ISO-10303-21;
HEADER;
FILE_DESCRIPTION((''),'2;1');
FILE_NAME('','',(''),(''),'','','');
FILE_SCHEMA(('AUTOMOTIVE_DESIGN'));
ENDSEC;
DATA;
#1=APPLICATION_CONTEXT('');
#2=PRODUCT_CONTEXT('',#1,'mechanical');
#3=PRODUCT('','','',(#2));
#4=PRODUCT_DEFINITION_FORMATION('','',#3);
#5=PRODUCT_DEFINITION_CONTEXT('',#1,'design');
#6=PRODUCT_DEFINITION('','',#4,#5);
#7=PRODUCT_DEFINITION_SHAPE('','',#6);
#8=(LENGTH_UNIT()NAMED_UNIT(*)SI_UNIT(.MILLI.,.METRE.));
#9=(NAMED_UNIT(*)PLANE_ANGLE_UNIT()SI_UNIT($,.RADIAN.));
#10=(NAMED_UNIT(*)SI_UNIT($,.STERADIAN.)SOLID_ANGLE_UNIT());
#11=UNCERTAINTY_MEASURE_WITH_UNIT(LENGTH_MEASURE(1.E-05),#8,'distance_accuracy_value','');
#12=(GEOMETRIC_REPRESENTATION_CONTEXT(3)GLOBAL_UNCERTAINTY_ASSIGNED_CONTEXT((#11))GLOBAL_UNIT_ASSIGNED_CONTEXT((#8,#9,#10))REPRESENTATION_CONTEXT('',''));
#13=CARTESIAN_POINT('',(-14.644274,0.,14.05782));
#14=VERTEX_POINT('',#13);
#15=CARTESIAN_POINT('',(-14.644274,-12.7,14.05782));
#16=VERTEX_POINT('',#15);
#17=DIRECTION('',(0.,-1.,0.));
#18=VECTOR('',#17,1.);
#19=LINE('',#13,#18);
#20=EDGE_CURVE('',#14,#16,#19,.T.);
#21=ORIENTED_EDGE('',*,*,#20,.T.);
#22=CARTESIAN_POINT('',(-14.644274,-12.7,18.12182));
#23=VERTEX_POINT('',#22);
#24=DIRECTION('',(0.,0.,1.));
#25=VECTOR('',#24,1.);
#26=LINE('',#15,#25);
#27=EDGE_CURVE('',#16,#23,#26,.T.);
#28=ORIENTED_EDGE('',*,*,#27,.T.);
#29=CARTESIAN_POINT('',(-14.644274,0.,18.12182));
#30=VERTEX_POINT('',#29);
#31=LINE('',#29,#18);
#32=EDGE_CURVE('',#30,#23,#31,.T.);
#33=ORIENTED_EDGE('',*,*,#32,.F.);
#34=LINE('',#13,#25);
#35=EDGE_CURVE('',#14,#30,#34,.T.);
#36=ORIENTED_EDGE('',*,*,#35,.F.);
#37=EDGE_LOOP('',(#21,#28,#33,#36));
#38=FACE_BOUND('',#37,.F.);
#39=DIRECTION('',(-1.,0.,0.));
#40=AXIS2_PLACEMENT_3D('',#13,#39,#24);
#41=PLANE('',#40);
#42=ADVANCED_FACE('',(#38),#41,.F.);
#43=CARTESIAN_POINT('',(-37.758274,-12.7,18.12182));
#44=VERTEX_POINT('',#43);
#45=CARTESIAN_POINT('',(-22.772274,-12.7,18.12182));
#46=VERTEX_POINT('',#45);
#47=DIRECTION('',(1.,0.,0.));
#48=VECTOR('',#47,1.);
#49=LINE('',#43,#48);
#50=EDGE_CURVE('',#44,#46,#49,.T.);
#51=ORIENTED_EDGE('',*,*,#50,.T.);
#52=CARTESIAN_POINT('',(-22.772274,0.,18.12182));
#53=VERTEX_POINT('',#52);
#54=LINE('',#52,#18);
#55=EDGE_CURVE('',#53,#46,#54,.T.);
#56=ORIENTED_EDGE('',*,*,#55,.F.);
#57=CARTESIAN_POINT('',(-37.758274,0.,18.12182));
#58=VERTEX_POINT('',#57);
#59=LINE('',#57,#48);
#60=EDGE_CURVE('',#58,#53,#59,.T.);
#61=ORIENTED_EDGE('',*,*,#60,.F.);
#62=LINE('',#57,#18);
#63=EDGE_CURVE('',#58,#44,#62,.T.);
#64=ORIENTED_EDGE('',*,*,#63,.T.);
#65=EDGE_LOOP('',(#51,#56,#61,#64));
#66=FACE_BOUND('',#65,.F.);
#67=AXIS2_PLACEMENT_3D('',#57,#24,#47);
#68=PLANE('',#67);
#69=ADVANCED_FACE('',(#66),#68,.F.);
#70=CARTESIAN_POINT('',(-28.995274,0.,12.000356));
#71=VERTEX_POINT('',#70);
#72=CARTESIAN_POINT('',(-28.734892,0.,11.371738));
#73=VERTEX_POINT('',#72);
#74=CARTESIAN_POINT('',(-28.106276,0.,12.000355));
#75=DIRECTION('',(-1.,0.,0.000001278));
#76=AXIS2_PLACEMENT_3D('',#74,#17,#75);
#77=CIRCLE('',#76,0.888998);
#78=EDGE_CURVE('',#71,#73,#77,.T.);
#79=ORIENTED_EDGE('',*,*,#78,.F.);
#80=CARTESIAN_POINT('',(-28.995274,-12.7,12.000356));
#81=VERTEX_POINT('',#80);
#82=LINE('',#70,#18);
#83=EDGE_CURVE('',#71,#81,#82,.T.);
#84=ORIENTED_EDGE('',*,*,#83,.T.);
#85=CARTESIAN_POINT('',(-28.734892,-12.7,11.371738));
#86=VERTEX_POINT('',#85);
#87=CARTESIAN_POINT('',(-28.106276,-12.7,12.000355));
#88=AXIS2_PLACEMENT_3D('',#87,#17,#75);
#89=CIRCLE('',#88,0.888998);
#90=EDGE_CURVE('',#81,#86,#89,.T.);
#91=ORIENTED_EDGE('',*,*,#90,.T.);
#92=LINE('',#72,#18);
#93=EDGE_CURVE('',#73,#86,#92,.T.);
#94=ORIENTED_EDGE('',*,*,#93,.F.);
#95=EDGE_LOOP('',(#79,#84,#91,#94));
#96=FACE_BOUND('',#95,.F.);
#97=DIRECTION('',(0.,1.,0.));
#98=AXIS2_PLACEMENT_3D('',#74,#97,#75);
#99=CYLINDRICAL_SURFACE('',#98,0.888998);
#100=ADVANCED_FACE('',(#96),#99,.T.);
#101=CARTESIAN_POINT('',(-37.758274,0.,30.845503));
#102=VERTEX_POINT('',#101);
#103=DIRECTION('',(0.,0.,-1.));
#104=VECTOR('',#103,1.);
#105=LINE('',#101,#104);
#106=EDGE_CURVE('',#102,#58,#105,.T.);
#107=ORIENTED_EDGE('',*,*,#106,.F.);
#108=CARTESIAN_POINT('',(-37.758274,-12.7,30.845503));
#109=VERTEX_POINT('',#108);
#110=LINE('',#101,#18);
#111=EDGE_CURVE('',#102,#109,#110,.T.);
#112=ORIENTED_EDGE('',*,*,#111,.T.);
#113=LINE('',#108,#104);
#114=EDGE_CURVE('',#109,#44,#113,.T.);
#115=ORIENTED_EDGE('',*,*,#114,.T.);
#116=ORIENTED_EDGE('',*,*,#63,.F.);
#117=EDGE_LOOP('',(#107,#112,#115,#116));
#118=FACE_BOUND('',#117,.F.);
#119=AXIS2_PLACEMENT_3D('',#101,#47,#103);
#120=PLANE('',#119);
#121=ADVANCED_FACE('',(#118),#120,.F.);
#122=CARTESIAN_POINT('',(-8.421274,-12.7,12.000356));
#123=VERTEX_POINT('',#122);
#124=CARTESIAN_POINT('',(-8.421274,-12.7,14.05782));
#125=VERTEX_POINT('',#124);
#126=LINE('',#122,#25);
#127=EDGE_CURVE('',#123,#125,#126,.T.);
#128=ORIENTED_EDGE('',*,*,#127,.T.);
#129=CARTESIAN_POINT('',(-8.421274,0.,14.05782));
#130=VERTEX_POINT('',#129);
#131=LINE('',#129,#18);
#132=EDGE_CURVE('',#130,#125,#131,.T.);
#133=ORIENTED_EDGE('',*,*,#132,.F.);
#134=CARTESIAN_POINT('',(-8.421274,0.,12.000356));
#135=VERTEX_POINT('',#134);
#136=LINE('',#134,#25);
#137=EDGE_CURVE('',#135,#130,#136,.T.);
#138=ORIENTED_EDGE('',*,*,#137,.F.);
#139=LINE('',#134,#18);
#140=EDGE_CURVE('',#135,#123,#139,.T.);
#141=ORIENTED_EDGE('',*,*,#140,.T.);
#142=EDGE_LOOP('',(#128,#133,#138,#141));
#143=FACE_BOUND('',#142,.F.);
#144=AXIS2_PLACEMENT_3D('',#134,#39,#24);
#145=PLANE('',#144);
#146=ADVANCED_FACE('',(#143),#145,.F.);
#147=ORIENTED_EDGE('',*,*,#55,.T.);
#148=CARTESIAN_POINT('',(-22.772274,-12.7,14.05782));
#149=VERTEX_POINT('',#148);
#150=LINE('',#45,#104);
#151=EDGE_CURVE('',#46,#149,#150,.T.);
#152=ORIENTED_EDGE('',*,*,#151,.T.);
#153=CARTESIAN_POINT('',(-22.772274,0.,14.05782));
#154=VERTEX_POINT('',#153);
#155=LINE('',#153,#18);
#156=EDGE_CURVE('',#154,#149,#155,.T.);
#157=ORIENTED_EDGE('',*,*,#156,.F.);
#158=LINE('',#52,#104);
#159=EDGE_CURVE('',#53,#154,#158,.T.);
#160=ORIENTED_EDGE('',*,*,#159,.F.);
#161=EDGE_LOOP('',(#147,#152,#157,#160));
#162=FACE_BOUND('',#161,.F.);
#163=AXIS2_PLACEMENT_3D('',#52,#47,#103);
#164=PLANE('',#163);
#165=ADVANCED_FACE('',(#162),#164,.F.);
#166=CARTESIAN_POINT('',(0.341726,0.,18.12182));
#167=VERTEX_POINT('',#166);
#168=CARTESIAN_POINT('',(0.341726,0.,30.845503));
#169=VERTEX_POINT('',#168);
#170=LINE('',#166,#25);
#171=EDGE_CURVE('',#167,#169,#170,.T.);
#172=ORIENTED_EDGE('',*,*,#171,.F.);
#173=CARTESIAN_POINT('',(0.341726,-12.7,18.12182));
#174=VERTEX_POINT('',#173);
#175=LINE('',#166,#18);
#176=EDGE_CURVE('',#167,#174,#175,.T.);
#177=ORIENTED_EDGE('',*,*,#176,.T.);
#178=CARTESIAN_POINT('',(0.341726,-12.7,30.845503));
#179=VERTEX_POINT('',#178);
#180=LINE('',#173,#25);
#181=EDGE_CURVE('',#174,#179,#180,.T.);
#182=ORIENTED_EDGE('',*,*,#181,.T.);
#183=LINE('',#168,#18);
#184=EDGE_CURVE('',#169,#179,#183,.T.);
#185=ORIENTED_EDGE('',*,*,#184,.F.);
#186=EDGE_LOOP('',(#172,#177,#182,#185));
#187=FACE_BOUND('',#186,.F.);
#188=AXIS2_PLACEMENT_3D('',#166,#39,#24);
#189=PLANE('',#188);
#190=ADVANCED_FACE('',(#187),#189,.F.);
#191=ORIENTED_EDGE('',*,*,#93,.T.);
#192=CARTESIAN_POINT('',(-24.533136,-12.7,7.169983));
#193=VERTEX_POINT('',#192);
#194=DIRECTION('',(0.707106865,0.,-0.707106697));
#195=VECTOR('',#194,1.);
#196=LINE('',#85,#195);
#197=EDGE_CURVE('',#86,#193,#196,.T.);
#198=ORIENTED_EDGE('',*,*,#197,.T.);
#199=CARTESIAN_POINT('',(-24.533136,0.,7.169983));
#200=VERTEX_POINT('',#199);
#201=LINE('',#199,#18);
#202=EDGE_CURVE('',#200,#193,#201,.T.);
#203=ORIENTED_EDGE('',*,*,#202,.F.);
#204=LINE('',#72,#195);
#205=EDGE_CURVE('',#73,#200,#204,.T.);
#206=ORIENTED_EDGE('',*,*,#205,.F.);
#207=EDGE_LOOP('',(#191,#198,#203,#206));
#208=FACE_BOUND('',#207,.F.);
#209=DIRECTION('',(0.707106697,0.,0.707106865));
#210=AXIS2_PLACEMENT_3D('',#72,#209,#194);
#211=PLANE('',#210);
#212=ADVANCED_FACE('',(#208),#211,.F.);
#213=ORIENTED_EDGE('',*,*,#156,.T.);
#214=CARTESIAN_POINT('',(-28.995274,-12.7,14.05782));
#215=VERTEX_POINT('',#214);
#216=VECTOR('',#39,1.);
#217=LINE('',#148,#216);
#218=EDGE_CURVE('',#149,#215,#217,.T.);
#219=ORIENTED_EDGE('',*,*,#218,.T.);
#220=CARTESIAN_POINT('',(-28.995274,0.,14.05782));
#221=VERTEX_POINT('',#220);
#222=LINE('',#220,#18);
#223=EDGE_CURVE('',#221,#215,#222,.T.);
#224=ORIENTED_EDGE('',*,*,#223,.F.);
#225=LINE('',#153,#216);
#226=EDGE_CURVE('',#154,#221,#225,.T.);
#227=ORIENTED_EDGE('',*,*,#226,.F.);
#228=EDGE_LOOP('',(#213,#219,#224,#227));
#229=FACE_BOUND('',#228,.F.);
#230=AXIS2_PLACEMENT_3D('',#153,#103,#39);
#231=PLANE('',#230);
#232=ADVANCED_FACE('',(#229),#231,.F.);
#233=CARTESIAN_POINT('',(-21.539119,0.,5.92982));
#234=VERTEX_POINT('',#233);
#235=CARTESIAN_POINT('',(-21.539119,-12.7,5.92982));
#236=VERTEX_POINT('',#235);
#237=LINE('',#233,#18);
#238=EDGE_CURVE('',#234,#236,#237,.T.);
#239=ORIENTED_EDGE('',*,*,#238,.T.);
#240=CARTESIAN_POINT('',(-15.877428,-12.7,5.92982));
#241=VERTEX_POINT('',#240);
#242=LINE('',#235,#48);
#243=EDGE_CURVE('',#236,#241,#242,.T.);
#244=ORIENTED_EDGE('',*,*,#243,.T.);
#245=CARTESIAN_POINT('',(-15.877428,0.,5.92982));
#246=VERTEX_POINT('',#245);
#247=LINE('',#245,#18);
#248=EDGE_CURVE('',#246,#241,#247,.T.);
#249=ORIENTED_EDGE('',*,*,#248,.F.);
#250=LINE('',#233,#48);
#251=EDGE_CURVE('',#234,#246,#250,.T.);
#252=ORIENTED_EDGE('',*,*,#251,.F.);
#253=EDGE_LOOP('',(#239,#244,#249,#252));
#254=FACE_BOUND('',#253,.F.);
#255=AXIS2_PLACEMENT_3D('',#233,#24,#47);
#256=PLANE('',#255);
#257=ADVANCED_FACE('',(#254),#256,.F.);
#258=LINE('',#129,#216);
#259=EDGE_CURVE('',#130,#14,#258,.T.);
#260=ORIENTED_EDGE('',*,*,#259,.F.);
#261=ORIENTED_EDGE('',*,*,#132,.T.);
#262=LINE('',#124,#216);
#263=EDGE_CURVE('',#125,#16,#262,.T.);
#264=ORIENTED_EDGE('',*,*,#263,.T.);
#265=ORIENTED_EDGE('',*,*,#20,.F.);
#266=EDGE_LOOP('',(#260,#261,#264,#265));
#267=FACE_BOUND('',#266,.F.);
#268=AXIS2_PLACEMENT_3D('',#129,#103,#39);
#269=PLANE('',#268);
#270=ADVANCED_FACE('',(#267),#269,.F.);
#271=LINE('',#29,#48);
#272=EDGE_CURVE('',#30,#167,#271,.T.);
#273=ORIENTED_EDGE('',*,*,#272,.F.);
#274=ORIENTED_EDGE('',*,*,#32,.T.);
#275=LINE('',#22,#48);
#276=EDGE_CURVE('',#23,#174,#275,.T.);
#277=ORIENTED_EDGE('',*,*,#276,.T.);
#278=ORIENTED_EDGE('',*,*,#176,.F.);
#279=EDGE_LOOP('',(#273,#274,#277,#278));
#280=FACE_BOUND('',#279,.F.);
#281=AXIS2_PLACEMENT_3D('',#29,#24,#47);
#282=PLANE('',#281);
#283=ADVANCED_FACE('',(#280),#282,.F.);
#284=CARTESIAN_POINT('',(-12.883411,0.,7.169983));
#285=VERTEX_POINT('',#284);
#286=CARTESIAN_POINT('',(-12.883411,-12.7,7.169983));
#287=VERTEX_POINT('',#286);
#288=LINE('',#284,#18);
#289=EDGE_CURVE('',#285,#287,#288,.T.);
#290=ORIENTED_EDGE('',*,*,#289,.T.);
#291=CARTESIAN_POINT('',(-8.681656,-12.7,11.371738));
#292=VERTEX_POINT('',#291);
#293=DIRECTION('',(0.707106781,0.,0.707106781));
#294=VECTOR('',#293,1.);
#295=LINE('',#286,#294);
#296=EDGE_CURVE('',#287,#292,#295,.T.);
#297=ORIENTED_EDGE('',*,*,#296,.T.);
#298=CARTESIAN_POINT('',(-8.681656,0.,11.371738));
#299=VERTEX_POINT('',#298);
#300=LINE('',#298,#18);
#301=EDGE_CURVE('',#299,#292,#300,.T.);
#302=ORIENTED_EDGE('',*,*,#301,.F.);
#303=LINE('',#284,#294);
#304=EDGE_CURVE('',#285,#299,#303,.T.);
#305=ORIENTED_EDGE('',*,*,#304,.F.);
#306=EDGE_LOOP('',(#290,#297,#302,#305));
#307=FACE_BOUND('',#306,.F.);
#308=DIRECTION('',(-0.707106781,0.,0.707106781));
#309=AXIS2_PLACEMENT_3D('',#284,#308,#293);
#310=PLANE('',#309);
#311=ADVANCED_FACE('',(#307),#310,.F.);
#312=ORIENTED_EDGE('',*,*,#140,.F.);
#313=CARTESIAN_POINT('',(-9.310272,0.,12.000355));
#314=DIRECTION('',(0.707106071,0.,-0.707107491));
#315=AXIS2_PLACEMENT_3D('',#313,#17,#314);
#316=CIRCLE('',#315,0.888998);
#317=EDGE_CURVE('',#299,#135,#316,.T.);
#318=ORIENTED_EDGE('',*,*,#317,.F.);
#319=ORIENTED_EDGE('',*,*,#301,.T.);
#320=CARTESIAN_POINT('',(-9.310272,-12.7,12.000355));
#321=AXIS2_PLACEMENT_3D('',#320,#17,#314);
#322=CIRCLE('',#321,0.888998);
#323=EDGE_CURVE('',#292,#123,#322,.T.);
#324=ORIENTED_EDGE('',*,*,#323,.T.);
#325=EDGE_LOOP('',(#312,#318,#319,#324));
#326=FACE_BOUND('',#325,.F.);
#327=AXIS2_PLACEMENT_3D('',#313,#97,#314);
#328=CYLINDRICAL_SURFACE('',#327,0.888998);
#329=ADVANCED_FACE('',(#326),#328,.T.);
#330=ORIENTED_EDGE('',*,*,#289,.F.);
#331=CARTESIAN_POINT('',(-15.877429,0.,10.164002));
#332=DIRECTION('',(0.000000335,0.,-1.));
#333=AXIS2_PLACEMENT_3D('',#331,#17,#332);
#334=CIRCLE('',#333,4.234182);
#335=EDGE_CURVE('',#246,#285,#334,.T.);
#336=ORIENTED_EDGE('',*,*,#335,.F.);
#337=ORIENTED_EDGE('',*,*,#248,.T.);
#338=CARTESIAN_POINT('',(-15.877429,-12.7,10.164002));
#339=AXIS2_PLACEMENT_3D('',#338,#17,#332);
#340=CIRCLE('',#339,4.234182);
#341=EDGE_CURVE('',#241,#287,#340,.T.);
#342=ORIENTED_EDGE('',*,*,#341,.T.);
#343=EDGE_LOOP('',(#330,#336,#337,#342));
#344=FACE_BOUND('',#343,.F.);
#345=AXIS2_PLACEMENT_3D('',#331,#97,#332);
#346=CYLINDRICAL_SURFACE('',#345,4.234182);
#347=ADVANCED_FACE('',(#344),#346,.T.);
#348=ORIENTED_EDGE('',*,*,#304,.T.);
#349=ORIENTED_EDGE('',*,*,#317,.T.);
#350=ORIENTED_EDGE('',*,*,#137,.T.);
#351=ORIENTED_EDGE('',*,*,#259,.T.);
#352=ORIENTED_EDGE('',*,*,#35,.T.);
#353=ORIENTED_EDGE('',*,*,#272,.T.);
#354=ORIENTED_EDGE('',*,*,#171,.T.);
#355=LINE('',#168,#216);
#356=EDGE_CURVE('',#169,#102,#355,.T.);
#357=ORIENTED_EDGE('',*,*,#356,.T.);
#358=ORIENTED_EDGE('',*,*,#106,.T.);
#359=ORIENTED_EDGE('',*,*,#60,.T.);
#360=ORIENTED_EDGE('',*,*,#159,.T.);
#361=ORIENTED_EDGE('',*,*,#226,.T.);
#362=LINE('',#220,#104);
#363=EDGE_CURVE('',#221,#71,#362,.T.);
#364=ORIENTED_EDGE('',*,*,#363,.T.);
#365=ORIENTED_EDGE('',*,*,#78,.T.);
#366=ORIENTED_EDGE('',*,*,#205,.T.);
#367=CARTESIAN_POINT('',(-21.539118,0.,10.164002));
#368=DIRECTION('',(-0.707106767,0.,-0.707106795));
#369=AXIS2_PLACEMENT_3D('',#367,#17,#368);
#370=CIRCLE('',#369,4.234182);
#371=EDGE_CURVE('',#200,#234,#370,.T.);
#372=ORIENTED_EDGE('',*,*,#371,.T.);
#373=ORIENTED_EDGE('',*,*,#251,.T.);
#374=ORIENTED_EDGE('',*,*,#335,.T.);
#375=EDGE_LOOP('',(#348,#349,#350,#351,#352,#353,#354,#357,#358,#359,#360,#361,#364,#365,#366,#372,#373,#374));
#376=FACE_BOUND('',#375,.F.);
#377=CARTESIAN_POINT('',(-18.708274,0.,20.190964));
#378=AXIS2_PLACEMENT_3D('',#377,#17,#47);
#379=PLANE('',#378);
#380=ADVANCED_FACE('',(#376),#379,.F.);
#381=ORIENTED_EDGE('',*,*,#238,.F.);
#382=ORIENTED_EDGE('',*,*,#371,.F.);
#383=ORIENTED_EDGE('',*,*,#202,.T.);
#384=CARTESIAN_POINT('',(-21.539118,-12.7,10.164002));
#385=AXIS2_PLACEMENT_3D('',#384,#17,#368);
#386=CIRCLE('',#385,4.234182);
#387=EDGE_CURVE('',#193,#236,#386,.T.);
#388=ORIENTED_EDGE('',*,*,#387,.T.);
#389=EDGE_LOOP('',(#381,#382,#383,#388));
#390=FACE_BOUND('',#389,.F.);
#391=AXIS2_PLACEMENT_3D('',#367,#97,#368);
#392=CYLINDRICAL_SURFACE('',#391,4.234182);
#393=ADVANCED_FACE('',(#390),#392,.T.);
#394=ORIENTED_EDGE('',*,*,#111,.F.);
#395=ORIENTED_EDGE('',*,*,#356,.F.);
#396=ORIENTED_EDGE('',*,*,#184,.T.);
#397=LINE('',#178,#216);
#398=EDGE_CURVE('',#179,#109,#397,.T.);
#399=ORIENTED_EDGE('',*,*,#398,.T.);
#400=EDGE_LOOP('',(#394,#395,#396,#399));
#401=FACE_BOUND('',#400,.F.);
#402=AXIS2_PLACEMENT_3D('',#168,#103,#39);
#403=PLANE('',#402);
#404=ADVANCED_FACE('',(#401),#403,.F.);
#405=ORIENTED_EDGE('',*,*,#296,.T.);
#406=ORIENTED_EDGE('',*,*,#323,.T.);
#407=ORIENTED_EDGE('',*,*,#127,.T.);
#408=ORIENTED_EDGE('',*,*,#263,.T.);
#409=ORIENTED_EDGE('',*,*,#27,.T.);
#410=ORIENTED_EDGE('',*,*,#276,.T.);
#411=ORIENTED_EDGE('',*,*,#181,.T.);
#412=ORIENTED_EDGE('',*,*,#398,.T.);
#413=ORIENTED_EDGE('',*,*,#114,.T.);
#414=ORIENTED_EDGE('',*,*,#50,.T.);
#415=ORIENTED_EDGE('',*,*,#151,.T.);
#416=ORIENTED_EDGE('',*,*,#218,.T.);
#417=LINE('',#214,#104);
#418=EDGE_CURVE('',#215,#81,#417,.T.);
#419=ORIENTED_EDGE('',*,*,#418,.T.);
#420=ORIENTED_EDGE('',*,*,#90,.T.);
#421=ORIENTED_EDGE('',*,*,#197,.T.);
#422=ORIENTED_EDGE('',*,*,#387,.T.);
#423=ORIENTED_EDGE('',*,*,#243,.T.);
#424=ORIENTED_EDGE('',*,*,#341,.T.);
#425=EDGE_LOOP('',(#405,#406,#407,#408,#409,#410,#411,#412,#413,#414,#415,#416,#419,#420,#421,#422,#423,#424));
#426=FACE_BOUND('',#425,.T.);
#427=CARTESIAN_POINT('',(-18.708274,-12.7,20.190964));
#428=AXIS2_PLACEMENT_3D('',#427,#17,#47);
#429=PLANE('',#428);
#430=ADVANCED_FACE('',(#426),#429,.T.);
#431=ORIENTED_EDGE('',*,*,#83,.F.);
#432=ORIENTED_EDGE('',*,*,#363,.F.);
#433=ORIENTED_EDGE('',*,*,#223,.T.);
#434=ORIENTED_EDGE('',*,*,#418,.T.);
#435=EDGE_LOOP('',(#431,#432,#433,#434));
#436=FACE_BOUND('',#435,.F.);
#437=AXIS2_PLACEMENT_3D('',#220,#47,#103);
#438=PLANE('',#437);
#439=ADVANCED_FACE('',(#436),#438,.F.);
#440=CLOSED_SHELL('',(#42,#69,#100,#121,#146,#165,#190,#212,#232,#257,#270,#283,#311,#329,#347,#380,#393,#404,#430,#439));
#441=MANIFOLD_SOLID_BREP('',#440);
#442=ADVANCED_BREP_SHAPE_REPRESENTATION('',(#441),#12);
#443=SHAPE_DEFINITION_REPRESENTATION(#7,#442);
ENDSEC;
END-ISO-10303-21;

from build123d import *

# Parameters (mm, degrees)
F1_DEPTH = 12.7


with BuildPart() as f1:
    # F0 (on Front) → F1 (new body)
    with BuildSketch(Plane.XZ):
        with BuildLine():
            Line((-37.758274, 30.845503), (-37.758274, 18.12182))
            Line((-37.758274, 18.12182), (-22.772274, 18.12182))
            Line((-22.772274, 18.12182), (-22.772274, 14.05782))
            Line((-22.772274, 14.05782), (-28.995274, 14.05782))
            Line((-28.995274, 14.05782), (-28.995274, 12.000356))
            ThreePointArc((-28.995274, 12.000356), (-28.927603, 11.66015), (-28.734892, 11.371738))
            Line((-28.734892, 11.371738), (-24.533136, 7.169983))
            ThreePointArc((-24.533136, 7.169983), (-23.159469, 6.252128), (-21.539119, 5.92982))
            Line((-21.539119, 5.92982), (-15.877428, 5.92982))
            ThreePointArc((-15.877428, 5.92982), (-14.257078, 6.252128), (-12.883411, 7.169983))
            Line((-12.883411, 7.169983), (-8.681656, 11.371738))
            ThreePointArc((-8.681656, 11.371738), (-8.488945, 11.66015), (-8.421274, 12.000356))
            Line((-8.421274, 12.000356), (-8.421274, 14.05782))
            Line((-8.421274, 14.05782), (-14.644274, 14.05782))
            Line((-14.644274, 14.05782), (-14.644274, 18.12182))
            Line((-14.644274, 18.12182), (0.341726, 18.12182))
            Line((0.341726, 18.12182), (0.341726, 30.845503))
            Line((0.341726, 30.845503), (-37.758274, 30.845503))
        make_face()
    extrude(amount=F1_DEPTH)


solid = f1.part
